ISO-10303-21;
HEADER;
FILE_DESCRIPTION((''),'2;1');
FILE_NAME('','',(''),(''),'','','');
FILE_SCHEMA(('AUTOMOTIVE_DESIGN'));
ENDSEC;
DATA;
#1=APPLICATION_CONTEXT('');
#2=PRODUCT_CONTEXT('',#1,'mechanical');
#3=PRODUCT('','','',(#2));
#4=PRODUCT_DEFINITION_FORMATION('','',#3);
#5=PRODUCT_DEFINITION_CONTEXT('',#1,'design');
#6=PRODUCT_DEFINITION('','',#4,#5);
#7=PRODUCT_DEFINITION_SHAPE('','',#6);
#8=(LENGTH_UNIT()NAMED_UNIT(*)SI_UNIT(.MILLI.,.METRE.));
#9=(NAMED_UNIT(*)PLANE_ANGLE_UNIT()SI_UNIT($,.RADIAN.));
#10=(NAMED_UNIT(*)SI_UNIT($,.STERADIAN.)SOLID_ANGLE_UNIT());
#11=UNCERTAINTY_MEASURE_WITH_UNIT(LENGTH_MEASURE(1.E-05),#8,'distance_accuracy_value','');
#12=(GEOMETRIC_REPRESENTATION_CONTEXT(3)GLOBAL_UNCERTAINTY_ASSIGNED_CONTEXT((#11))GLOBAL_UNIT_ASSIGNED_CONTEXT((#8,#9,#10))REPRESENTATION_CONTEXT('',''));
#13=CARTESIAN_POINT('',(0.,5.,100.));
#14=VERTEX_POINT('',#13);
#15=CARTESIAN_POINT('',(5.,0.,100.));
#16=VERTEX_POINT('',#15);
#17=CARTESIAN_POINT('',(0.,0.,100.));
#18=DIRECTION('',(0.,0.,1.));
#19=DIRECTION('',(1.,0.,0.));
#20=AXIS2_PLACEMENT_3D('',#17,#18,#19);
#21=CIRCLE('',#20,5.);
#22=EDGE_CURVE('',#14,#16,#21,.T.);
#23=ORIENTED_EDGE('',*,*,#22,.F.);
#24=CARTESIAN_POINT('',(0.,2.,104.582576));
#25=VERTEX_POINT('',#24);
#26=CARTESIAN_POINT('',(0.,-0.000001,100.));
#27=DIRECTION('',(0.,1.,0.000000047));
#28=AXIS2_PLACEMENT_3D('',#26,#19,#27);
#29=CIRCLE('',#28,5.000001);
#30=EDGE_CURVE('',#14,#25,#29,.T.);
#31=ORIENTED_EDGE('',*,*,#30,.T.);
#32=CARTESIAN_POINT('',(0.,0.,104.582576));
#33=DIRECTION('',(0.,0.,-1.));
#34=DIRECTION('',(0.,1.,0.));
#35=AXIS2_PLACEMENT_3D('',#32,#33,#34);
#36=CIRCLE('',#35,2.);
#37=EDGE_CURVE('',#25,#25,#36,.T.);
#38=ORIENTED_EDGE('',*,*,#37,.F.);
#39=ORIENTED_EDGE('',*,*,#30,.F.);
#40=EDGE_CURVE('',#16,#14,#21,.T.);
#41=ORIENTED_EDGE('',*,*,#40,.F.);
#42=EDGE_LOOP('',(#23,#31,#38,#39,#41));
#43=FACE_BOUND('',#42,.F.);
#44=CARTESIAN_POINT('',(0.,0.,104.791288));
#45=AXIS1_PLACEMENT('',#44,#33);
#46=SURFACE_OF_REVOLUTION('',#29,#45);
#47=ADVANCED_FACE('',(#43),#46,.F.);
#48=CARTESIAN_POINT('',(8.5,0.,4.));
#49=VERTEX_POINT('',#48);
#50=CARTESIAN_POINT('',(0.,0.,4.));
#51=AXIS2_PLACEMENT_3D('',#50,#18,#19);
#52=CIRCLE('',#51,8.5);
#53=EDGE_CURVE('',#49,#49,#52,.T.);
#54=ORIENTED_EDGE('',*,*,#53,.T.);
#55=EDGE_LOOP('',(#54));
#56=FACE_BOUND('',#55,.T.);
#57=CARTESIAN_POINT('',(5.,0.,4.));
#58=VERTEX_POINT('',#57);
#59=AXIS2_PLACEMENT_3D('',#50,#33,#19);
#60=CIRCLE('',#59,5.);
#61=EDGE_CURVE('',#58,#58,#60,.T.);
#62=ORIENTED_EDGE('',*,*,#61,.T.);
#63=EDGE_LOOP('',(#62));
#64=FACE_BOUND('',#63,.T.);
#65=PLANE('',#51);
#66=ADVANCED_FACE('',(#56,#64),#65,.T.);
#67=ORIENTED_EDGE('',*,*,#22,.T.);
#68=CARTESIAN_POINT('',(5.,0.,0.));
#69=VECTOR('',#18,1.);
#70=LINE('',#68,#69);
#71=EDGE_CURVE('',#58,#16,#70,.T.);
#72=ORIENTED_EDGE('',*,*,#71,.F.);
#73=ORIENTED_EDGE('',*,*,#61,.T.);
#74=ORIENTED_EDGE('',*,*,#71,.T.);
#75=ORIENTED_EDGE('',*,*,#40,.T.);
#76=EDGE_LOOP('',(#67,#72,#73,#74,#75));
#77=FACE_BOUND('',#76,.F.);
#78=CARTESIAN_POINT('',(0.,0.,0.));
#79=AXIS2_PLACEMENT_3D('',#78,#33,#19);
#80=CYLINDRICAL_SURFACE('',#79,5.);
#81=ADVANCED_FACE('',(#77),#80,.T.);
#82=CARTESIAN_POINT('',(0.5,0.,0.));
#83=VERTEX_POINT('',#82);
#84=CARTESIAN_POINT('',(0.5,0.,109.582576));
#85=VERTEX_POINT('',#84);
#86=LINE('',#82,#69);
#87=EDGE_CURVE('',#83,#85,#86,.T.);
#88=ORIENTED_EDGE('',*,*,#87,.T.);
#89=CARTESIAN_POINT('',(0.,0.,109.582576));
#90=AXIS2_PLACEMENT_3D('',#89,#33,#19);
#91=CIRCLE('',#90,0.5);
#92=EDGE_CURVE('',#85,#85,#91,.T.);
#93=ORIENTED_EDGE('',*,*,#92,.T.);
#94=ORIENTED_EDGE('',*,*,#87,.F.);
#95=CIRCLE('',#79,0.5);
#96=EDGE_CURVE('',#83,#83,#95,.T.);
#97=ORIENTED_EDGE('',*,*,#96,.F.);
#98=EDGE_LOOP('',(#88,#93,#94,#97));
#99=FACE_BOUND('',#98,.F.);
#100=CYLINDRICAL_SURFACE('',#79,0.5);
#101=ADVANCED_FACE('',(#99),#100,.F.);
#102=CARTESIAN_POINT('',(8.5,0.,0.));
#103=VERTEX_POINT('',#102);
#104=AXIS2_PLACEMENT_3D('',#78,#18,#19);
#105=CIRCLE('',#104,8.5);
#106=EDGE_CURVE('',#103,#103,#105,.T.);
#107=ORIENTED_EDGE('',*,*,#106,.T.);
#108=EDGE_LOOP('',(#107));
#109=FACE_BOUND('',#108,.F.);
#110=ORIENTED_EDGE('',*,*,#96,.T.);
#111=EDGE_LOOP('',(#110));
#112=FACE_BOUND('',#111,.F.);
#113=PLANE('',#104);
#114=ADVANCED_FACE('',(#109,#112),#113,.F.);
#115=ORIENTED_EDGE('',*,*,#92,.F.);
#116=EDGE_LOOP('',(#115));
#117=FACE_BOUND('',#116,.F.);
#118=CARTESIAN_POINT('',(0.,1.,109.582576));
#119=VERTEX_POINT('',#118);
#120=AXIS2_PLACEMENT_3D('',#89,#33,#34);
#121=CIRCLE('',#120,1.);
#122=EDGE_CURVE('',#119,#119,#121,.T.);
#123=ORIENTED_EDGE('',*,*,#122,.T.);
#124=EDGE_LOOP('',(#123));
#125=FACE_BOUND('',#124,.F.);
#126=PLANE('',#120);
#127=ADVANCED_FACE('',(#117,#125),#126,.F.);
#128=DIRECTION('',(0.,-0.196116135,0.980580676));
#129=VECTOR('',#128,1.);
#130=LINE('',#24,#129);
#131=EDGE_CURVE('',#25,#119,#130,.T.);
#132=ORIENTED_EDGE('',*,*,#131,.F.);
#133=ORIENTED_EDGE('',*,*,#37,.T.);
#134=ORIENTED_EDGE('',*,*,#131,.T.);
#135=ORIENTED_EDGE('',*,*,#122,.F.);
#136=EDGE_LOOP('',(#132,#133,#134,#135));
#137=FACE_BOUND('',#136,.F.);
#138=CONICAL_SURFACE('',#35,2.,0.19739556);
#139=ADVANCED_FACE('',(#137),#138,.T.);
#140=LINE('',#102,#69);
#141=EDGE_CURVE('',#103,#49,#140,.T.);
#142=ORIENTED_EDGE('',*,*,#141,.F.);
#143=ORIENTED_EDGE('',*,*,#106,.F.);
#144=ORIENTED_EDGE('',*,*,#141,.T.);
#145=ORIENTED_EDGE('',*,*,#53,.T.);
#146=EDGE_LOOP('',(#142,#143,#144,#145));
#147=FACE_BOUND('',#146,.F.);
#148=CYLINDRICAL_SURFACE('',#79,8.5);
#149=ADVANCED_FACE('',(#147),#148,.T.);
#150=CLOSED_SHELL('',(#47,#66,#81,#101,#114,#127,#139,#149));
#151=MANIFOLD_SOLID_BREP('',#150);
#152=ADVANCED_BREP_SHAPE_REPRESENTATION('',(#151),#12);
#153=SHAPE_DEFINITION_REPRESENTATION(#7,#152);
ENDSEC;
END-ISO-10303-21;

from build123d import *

# Parameters (mm, degrees)
F0_R     = 8.5
F1_DEPTH = 4
F2_R     = 5
F3_DEPTH = 100
F6_R     = 0.5
F7_DEPTH = 118.6


with BuildPart() as f1:
    # F0 (on Top) → F1 (new body)
    with BuildSketch(Plane.XY):
        Circle(F0_R)
    extrude(amount=F1_DEPTH)

    # F2 (on Top) → F3 (join)
    with BuildSketch(Plane.XY):
        Circle(F2_R)
    extrude(amount=F3_DEPTH)

    # F4 (on Right) → F5 (revolve)
    with BuildSketch(Plane.YZ):
        with BuildLine():
            Line((0, 104.582576), (0, 100))
            Line((0, 100), (5, 100))
            ThreePointArc((5, 100), (4.1833, 102.738613), (2, 104.582576))
            Line((2, 104.582576), (0, 104.582576))
        make_face()
        with BuildLine():
            ThreePointArc((0, 105), (1.021548, 104.894532), (2, 104.582576))
            Line((2, 104.582576), (1, 109.582576))
            Line((1, 109.582576), (0, 109.582576))
            Line((0, 109.582576), (0, 105))
        make_face()
        with BuildLine():
            Line((0, 105), (0, 104.582576))
            Line((0, 104.582576), (2, 104.582576))
            ThreePointArc((2, 104.582576), (1.021548, 104.894532), (0, 105))
        make_face()
    revolve(axis=Axis((0, 0, 104.791288), (0, 0, -1)))

    # F6 (on face) → F7 (cut)
    with BuildSketch(Plane(origin=(0, 0, 0), x_dir=(1, 0, 0), z_dir=(0, 0, -1))):
        Circle(F6_R)
    extrude(amount=-F7_DEPTH, mode=Mode.SUBTRACT)


solid = f1.part
